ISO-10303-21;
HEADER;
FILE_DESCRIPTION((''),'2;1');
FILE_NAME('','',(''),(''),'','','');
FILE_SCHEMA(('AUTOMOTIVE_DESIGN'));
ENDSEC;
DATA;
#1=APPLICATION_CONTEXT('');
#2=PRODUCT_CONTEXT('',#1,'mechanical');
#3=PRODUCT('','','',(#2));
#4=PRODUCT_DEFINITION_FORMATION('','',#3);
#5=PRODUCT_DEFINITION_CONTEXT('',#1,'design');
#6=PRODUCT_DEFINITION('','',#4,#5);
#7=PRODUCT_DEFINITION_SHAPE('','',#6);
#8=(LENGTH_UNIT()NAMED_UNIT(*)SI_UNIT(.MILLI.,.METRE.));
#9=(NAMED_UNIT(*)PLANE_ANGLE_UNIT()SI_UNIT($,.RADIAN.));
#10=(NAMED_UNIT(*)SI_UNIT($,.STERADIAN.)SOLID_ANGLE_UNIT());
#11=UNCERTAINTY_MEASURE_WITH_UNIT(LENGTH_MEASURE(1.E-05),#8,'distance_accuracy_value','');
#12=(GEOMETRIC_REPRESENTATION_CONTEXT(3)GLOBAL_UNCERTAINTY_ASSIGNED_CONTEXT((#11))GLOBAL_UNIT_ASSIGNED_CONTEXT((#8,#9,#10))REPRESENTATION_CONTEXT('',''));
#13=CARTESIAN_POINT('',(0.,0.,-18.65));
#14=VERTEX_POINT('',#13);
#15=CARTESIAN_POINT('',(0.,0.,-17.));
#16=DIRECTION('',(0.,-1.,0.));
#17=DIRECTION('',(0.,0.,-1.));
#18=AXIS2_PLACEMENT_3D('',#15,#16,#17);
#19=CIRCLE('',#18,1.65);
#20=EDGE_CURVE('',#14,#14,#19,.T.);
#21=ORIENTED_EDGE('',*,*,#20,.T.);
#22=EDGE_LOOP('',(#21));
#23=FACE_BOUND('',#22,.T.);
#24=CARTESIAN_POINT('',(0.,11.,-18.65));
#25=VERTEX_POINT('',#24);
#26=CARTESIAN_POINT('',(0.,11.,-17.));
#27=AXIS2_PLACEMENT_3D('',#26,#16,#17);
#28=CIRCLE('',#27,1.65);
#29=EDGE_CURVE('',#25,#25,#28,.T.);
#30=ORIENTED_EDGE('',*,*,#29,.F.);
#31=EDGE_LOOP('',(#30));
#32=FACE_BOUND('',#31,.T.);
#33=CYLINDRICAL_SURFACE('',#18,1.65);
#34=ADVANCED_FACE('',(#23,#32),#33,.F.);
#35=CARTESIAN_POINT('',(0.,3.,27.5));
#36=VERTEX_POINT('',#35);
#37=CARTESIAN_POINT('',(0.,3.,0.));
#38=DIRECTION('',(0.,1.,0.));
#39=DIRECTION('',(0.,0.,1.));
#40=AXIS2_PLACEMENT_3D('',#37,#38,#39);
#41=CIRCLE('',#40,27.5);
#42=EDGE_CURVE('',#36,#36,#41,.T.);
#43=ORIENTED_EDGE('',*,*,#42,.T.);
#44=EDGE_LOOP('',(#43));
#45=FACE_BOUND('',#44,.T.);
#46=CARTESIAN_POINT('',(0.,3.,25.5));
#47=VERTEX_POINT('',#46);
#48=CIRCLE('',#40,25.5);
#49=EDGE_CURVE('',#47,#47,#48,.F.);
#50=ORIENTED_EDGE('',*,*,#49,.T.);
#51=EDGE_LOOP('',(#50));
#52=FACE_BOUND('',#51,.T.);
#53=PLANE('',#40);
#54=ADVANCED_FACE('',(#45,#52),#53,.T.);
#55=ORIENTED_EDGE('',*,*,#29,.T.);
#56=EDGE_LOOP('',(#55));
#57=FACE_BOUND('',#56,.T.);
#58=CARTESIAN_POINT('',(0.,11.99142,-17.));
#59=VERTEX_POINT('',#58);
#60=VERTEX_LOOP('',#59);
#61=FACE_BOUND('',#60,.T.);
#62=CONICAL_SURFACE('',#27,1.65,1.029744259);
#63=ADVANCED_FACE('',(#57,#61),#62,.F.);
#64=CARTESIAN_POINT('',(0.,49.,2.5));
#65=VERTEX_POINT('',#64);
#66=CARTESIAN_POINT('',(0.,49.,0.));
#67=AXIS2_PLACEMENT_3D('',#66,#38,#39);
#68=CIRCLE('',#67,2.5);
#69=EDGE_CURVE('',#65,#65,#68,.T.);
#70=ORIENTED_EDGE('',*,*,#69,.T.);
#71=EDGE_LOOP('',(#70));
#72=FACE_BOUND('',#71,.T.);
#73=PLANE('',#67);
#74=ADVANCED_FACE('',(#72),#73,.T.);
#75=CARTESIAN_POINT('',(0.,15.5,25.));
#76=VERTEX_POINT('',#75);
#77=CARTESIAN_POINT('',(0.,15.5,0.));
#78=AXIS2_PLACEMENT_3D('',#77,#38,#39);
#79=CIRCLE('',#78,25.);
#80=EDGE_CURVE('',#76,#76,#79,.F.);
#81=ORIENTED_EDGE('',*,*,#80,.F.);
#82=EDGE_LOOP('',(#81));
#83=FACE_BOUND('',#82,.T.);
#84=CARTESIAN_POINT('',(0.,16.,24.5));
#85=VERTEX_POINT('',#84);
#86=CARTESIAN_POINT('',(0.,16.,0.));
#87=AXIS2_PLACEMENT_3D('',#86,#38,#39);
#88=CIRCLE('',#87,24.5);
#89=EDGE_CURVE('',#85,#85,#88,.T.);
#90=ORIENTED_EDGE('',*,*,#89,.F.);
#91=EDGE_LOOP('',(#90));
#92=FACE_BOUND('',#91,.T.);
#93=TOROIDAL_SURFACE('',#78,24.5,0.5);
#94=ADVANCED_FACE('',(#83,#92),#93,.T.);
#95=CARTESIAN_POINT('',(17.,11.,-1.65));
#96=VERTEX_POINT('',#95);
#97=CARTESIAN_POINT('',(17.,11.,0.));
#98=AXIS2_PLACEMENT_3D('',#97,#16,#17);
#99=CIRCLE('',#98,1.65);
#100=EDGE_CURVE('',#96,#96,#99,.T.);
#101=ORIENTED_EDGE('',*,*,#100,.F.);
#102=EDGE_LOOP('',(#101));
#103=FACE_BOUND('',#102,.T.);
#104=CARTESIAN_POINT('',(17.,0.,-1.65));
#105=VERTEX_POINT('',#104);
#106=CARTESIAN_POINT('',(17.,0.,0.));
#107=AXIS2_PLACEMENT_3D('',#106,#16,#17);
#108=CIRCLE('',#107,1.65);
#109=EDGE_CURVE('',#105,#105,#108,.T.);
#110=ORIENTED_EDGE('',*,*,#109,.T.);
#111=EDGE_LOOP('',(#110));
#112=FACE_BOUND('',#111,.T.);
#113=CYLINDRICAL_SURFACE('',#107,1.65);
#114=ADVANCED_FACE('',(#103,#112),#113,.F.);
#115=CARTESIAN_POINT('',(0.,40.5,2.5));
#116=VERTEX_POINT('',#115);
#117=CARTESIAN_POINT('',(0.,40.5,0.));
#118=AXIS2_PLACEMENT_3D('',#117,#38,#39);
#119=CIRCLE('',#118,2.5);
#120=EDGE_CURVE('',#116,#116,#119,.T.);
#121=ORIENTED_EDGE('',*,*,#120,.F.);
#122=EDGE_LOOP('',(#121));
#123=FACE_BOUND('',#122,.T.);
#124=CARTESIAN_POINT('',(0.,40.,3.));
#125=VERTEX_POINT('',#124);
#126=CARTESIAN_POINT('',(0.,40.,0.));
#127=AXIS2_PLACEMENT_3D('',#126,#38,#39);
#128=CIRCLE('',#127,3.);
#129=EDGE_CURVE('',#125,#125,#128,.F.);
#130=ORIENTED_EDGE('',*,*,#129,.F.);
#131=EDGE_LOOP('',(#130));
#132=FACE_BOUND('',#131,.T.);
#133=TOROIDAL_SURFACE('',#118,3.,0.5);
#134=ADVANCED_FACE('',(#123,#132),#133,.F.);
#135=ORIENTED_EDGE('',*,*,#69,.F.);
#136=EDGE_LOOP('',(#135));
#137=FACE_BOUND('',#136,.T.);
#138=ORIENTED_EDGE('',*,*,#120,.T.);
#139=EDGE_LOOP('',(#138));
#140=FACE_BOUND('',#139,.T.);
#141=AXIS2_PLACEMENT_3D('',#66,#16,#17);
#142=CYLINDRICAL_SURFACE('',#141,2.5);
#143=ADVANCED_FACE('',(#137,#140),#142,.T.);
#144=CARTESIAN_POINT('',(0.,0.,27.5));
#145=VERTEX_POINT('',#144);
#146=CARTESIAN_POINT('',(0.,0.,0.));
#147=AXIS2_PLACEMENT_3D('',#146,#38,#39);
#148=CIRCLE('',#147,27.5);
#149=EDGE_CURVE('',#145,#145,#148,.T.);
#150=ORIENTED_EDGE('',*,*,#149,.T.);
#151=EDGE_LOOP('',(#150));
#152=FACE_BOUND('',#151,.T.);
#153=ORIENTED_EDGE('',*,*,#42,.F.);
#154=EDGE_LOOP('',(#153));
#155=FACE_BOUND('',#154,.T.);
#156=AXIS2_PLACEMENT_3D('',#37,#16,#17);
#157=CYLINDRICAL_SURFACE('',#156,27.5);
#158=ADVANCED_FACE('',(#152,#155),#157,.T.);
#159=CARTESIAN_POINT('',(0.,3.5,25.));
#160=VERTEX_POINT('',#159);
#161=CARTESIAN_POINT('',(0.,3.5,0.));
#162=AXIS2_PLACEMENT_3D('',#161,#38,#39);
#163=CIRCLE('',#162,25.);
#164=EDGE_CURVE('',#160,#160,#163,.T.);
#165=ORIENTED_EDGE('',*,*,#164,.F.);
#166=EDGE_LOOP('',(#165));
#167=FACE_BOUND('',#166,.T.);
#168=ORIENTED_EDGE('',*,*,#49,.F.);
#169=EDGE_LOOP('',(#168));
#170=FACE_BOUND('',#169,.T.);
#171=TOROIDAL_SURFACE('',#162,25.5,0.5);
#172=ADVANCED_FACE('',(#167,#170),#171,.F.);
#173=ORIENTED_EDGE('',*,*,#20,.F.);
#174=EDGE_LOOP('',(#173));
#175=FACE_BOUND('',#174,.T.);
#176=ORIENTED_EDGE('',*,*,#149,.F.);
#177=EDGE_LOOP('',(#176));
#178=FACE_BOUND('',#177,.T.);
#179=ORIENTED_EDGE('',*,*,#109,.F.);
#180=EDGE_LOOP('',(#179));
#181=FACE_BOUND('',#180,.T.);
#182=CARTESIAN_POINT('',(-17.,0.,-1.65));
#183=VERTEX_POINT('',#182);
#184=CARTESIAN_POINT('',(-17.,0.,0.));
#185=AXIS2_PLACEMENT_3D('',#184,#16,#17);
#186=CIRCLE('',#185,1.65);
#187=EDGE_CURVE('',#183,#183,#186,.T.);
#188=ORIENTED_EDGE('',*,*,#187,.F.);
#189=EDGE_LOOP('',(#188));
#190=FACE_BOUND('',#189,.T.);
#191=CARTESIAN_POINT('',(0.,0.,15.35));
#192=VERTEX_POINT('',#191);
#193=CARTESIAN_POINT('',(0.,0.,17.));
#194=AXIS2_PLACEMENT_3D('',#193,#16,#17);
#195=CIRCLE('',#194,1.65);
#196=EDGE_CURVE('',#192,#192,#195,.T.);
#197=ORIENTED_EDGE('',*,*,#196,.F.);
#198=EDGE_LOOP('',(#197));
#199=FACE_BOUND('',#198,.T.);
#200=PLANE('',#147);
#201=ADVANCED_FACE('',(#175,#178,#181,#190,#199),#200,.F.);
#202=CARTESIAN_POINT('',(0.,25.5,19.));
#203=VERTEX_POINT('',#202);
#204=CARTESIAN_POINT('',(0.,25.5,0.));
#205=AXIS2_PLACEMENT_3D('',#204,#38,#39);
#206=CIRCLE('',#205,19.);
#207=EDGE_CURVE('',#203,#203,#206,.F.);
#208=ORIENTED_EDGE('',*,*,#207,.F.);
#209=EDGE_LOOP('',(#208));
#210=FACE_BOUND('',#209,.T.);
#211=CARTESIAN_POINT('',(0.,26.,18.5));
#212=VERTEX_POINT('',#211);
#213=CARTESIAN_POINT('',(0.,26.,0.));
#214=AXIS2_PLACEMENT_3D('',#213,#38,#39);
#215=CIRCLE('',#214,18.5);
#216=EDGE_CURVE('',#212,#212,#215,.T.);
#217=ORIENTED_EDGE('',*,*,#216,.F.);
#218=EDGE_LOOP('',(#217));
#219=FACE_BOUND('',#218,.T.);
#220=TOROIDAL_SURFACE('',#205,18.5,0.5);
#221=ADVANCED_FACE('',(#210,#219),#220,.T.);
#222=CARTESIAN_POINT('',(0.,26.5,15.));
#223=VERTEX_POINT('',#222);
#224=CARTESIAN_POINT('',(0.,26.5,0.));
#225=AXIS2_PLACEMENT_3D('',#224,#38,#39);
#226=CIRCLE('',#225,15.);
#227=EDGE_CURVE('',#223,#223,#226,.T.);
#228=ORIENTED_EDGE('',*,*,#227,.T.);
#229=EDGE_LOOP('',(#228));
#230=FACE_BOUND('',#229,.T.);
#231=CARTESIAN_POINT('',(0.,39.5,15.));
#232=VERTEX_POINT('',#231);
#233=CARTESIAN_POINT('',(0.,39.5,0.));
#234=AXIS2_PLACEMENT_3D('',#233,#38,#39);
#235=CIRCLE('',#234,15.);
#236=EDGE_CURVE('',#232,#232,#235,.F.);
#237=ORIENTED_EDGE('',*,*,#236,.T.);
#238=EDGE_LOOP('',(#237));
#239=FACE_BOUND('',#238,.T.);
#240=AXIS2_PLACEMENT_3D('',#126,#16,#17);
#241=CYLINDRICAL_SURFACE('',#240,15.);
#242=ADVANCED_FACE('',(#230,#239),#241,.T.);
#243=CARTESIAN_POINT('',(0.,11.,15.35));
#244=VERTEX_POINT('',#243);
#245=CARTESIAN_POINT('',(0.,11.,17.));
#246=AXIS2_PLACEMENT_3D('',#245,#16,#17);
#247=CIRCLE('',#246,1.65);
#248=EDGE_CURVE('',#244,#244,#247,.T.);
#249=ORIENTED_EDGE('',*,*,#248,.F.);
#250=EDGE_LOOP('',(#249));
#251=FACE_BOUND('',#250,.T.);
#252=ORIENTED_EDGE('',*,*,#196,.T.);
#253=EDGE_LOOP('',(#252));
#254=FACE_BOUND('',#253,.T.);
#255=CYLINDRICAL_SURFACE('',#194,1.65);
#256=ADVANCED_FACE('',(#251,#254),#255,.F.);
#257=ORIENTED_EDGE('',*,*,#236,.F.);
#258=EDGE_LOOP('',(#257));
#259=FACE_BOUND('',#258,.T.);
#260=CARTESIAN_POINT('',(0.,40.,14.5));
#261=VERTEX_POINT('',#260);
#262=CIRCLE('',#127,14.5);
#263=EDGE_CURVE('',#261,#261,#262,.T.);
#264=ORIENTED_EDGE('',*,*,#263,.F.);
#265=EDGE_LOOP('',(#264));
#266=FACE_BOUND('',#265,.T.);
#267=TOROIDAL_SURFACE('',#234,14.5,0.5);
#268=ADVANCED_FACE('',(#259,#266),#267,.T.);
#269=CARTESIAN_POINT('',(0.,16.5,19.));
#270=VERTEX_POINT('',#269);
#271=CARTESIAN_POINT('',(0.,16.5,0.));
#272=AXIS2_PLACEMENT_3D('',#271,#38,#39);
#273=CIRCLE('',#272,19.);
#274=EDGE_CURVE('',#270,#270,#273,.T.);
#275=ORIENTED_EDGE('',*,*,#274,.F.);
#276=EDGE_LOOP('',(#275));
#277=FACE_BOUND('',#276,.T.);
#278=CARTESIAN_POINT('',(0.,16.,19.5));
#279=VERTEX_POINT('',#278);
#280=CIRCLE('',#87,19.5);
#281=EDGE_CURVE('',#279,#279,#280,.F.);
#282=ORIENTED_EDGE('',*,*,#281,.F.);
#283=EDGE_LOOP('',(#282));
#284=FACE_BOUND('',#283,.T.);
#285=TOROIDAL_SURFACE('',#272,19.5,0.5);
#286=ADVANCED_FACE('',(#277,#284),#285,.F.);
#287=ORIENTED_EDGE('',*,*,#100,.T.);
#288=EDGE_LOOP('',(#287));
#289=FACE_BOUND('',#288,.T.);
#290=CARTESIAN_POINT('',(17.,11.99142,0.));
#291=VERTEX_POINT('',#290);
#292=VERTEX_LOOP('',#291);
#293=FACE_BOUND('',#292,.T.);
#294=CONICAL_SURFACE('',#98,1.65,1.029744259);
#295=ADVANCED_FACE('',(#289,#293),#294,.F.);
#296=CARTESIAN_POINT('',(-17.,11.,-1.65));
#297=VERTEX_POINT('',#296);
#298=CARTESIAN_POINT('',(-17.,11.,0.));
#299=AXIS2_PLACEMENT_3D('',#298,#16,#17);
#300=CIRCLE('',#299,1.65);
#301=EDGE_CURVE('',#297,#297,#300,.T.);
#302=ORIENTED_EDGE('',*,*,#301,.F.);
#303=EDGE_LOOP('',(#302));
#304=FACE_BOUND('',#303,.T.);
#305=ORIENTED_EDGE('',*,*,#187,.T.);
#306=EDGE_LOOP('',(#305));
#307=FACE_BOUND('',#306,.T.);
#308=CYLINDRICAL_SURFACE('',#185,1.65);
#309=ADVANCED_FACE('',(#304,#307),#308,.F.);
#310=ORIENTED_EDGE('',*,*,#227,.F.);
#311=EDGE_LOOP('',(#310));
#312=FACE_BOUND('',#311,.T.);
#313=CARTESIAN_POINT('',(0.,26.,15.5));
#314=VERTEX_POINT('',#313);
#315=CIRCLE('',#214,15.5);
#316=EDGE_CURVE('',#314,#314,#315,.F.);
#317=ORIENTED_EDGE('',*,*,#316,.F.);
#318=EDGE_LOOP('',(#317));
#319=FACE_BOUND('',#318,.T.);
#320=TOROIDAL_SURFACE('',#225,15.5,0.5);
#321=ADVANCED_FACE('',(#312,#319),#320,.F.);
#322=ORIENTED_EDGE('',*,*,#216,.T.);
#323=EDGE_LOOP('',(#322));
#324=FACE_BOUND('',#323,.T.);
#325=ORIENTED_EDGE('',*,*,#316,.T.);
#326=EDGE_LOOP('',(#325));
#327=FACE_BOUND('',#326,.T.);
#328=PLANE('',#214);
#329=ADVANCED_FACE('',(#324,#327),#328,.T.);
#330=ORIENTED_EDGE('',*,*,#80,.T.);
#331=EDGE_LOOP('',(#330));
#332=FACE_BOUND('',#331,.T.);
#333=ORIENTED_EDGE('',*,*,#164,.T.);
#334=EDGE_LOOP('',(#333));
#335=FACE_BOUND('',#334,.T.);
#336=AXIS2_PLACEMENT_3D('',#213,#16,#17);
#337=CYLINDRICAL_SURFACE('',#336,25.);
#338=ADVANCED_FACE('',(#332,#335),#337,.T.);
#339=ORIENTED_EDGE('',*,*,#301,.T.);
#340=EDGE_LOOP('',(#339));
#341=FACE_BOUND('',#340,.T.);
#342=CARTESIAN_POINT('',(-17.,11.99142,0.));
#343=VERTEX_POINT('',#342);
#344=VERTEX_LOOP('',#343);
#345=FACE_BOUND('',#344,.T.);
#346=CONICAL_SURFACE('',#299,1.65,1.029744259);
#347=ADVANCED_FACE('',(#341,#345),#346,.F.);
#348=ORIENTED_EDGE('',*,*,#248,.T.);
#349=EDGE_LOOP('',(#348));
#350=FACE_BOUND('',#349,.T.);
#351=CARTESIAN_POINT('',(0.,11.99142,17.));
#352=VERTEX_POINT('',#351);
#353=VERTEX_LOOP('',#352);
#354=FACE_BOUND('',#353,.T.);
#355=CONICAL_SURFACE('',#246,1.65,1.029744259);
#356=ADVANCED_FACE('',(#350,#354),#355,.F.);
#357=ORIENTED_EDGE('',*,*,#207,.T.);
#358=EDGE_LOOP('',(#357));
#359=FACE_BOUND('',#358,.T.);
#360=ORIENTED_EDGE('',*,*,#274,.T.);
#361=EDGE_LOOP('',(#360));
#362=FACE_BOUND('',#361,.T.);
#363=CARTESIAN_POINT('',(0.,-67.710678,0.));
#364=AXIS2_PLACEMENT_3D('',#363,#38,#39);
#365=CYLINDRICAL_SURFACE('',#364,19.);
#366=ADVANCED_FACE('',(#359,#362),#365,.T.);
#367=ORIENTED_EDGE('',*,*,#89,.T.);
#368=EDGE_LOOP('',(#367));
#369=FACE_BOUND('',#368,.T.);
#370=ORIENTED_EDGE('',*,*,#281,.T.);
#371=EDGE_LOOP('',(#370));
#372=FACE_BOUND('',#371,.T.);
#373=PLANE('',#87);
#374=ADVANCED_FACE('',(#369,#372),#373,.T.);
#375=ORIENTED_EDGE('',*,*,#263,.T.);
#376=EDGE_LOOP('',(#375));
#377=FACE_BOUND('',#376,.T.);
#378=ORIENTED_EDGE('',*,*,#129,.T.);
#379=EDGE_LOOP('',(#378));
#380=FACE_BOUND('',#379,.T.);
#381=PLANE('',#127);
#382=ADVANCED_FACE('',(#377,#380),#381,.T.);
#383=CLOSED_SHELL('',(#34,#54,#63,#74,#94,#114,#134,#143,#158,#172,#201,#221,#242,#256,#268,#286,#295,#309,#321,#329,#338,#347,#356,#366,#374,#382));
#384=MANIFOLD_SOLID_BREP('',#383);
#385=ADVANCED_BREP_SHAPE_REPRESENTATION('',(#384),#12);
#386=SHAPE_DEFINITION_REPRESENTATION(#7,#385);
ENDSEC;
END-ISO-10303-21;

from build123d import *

# Parameters (mm, degrees)
SKETCH1_R             = 27.5
BOSS_EXTRUDE1_DEPTH   = 3
SKETCH2_R             = 25
BOSS_EXTRUDE2_DEPTH   = 23
SKETCH7_R             = 15
BOSS_EXTRUDE4_DEPTH   = 14
SKETCH3_R             = 2.5
BOSS_EXTRUDE3_DEPTH   = 9
M4_TAPPED_HOLE1_D     = 3.3
M4_TAPPED_HOLE1_DEPTH = 11
M4_TAPPED_HOLE1_TIP   = 0.991420021
SKETCH8_R             = 25
SKETCH8_R_2           = 19
CUT_EXTRUDE2_DEPTH    = 10
FILLET2_R             = 0.5


with BuildPart() as part:
    # Sketch1 → Boss-Extrude1 (new body)
    with BuildSketch(Plane(origin=(0, 0, 0), x_dir=(1, 0, 0), z_dir=(0, 1, 0))):
        Circle(SKETCH1_R)
    extrude(amount=BOSS_EXTRUDE1_DEPTH)

    # Sketch2 → Boss-Extrude2 (add)
    with BuildSketch(Plane(origin=(0, 3, 0), x_dir=(1, 0, 0), z_dir=(0, 1, 0))):
        Circle(SKETCH2_R)
    extrude(amount=BOSS_EXTRUDE2_DEPTH)

    # Sketch7 → Boss-Extrude4 (add)
    with BuildSketch(Plane(origin=(0, 26, 0), x_dir=(1, 0, 0), z_dir=(0, 1, 0))):
        Circle(SKETCH7_R)
    extrude(amount=BOSS_EXTRUDE4_DEPTH)

    # Sketch3 → Boss-Extrude3 (add)
    with BuildSketch(Plane(origin=(0, 40, 0), x_dir=(1, 0, 0), z_dir=(0, 1, 0))):
        Circle(SKETCH3_R)
    extrude(amount=BOSS_EXTRUDE3_DEPTH)

    # M4 Tapped Hole1
    with Locations(Plane(origin=(0, 0, 0), x_dir=(-1, 0, 0), z_dir=(0, -1, 0))):
        with Locations((0, -17), (-17, 0), (0, 17), (17, 0)):
            Hole(M4_TAPPED_HOLE1_D / 2, depth=M4_TAPPED_HOLE1_DEPTH)
            with Locations((0, 0, -(M4_TAPPED_HOLE1_DEPTH + M4_TAPPED_HOLE1_TIP / 2))):  # 118° drill point
                Cone(0, M4_TAPPED_HOLE1_D / 2, M4_TAPPED_HOLE1_TIP, mode=Mode.SUBTRACT)

    # Sketch8 → Cut-Extrude2 (cut)
    with BuildSketch(Plane(origin=(0, 26, 0), x_dir=(1, 0, 0), z_dir=(0, 1, 0))):
        Circle(SKETCH8_R)
        Circle(SKETCH8_R_2, mode=Mode.SUBTRACT)
    extrude(amount=-CUT_EXTRUDE2_DEPTH, mode=Mode.SUBTRACT)

    # Fillet2
    fillet2_edges = [part.edges().sort_by_distance(p)[0] for p in [
        (-15, 26, 0),
        (-15, 40, 0),
        (-2.5, 40, 0),
        (-19, 16, 0),
        (-19, 26, 0),
        (-25, 16, 0),
        (-25, 3, 0),
    ]]
    fillet(fillet2_edges, radius=FILLET2_R)


solid = part.part
